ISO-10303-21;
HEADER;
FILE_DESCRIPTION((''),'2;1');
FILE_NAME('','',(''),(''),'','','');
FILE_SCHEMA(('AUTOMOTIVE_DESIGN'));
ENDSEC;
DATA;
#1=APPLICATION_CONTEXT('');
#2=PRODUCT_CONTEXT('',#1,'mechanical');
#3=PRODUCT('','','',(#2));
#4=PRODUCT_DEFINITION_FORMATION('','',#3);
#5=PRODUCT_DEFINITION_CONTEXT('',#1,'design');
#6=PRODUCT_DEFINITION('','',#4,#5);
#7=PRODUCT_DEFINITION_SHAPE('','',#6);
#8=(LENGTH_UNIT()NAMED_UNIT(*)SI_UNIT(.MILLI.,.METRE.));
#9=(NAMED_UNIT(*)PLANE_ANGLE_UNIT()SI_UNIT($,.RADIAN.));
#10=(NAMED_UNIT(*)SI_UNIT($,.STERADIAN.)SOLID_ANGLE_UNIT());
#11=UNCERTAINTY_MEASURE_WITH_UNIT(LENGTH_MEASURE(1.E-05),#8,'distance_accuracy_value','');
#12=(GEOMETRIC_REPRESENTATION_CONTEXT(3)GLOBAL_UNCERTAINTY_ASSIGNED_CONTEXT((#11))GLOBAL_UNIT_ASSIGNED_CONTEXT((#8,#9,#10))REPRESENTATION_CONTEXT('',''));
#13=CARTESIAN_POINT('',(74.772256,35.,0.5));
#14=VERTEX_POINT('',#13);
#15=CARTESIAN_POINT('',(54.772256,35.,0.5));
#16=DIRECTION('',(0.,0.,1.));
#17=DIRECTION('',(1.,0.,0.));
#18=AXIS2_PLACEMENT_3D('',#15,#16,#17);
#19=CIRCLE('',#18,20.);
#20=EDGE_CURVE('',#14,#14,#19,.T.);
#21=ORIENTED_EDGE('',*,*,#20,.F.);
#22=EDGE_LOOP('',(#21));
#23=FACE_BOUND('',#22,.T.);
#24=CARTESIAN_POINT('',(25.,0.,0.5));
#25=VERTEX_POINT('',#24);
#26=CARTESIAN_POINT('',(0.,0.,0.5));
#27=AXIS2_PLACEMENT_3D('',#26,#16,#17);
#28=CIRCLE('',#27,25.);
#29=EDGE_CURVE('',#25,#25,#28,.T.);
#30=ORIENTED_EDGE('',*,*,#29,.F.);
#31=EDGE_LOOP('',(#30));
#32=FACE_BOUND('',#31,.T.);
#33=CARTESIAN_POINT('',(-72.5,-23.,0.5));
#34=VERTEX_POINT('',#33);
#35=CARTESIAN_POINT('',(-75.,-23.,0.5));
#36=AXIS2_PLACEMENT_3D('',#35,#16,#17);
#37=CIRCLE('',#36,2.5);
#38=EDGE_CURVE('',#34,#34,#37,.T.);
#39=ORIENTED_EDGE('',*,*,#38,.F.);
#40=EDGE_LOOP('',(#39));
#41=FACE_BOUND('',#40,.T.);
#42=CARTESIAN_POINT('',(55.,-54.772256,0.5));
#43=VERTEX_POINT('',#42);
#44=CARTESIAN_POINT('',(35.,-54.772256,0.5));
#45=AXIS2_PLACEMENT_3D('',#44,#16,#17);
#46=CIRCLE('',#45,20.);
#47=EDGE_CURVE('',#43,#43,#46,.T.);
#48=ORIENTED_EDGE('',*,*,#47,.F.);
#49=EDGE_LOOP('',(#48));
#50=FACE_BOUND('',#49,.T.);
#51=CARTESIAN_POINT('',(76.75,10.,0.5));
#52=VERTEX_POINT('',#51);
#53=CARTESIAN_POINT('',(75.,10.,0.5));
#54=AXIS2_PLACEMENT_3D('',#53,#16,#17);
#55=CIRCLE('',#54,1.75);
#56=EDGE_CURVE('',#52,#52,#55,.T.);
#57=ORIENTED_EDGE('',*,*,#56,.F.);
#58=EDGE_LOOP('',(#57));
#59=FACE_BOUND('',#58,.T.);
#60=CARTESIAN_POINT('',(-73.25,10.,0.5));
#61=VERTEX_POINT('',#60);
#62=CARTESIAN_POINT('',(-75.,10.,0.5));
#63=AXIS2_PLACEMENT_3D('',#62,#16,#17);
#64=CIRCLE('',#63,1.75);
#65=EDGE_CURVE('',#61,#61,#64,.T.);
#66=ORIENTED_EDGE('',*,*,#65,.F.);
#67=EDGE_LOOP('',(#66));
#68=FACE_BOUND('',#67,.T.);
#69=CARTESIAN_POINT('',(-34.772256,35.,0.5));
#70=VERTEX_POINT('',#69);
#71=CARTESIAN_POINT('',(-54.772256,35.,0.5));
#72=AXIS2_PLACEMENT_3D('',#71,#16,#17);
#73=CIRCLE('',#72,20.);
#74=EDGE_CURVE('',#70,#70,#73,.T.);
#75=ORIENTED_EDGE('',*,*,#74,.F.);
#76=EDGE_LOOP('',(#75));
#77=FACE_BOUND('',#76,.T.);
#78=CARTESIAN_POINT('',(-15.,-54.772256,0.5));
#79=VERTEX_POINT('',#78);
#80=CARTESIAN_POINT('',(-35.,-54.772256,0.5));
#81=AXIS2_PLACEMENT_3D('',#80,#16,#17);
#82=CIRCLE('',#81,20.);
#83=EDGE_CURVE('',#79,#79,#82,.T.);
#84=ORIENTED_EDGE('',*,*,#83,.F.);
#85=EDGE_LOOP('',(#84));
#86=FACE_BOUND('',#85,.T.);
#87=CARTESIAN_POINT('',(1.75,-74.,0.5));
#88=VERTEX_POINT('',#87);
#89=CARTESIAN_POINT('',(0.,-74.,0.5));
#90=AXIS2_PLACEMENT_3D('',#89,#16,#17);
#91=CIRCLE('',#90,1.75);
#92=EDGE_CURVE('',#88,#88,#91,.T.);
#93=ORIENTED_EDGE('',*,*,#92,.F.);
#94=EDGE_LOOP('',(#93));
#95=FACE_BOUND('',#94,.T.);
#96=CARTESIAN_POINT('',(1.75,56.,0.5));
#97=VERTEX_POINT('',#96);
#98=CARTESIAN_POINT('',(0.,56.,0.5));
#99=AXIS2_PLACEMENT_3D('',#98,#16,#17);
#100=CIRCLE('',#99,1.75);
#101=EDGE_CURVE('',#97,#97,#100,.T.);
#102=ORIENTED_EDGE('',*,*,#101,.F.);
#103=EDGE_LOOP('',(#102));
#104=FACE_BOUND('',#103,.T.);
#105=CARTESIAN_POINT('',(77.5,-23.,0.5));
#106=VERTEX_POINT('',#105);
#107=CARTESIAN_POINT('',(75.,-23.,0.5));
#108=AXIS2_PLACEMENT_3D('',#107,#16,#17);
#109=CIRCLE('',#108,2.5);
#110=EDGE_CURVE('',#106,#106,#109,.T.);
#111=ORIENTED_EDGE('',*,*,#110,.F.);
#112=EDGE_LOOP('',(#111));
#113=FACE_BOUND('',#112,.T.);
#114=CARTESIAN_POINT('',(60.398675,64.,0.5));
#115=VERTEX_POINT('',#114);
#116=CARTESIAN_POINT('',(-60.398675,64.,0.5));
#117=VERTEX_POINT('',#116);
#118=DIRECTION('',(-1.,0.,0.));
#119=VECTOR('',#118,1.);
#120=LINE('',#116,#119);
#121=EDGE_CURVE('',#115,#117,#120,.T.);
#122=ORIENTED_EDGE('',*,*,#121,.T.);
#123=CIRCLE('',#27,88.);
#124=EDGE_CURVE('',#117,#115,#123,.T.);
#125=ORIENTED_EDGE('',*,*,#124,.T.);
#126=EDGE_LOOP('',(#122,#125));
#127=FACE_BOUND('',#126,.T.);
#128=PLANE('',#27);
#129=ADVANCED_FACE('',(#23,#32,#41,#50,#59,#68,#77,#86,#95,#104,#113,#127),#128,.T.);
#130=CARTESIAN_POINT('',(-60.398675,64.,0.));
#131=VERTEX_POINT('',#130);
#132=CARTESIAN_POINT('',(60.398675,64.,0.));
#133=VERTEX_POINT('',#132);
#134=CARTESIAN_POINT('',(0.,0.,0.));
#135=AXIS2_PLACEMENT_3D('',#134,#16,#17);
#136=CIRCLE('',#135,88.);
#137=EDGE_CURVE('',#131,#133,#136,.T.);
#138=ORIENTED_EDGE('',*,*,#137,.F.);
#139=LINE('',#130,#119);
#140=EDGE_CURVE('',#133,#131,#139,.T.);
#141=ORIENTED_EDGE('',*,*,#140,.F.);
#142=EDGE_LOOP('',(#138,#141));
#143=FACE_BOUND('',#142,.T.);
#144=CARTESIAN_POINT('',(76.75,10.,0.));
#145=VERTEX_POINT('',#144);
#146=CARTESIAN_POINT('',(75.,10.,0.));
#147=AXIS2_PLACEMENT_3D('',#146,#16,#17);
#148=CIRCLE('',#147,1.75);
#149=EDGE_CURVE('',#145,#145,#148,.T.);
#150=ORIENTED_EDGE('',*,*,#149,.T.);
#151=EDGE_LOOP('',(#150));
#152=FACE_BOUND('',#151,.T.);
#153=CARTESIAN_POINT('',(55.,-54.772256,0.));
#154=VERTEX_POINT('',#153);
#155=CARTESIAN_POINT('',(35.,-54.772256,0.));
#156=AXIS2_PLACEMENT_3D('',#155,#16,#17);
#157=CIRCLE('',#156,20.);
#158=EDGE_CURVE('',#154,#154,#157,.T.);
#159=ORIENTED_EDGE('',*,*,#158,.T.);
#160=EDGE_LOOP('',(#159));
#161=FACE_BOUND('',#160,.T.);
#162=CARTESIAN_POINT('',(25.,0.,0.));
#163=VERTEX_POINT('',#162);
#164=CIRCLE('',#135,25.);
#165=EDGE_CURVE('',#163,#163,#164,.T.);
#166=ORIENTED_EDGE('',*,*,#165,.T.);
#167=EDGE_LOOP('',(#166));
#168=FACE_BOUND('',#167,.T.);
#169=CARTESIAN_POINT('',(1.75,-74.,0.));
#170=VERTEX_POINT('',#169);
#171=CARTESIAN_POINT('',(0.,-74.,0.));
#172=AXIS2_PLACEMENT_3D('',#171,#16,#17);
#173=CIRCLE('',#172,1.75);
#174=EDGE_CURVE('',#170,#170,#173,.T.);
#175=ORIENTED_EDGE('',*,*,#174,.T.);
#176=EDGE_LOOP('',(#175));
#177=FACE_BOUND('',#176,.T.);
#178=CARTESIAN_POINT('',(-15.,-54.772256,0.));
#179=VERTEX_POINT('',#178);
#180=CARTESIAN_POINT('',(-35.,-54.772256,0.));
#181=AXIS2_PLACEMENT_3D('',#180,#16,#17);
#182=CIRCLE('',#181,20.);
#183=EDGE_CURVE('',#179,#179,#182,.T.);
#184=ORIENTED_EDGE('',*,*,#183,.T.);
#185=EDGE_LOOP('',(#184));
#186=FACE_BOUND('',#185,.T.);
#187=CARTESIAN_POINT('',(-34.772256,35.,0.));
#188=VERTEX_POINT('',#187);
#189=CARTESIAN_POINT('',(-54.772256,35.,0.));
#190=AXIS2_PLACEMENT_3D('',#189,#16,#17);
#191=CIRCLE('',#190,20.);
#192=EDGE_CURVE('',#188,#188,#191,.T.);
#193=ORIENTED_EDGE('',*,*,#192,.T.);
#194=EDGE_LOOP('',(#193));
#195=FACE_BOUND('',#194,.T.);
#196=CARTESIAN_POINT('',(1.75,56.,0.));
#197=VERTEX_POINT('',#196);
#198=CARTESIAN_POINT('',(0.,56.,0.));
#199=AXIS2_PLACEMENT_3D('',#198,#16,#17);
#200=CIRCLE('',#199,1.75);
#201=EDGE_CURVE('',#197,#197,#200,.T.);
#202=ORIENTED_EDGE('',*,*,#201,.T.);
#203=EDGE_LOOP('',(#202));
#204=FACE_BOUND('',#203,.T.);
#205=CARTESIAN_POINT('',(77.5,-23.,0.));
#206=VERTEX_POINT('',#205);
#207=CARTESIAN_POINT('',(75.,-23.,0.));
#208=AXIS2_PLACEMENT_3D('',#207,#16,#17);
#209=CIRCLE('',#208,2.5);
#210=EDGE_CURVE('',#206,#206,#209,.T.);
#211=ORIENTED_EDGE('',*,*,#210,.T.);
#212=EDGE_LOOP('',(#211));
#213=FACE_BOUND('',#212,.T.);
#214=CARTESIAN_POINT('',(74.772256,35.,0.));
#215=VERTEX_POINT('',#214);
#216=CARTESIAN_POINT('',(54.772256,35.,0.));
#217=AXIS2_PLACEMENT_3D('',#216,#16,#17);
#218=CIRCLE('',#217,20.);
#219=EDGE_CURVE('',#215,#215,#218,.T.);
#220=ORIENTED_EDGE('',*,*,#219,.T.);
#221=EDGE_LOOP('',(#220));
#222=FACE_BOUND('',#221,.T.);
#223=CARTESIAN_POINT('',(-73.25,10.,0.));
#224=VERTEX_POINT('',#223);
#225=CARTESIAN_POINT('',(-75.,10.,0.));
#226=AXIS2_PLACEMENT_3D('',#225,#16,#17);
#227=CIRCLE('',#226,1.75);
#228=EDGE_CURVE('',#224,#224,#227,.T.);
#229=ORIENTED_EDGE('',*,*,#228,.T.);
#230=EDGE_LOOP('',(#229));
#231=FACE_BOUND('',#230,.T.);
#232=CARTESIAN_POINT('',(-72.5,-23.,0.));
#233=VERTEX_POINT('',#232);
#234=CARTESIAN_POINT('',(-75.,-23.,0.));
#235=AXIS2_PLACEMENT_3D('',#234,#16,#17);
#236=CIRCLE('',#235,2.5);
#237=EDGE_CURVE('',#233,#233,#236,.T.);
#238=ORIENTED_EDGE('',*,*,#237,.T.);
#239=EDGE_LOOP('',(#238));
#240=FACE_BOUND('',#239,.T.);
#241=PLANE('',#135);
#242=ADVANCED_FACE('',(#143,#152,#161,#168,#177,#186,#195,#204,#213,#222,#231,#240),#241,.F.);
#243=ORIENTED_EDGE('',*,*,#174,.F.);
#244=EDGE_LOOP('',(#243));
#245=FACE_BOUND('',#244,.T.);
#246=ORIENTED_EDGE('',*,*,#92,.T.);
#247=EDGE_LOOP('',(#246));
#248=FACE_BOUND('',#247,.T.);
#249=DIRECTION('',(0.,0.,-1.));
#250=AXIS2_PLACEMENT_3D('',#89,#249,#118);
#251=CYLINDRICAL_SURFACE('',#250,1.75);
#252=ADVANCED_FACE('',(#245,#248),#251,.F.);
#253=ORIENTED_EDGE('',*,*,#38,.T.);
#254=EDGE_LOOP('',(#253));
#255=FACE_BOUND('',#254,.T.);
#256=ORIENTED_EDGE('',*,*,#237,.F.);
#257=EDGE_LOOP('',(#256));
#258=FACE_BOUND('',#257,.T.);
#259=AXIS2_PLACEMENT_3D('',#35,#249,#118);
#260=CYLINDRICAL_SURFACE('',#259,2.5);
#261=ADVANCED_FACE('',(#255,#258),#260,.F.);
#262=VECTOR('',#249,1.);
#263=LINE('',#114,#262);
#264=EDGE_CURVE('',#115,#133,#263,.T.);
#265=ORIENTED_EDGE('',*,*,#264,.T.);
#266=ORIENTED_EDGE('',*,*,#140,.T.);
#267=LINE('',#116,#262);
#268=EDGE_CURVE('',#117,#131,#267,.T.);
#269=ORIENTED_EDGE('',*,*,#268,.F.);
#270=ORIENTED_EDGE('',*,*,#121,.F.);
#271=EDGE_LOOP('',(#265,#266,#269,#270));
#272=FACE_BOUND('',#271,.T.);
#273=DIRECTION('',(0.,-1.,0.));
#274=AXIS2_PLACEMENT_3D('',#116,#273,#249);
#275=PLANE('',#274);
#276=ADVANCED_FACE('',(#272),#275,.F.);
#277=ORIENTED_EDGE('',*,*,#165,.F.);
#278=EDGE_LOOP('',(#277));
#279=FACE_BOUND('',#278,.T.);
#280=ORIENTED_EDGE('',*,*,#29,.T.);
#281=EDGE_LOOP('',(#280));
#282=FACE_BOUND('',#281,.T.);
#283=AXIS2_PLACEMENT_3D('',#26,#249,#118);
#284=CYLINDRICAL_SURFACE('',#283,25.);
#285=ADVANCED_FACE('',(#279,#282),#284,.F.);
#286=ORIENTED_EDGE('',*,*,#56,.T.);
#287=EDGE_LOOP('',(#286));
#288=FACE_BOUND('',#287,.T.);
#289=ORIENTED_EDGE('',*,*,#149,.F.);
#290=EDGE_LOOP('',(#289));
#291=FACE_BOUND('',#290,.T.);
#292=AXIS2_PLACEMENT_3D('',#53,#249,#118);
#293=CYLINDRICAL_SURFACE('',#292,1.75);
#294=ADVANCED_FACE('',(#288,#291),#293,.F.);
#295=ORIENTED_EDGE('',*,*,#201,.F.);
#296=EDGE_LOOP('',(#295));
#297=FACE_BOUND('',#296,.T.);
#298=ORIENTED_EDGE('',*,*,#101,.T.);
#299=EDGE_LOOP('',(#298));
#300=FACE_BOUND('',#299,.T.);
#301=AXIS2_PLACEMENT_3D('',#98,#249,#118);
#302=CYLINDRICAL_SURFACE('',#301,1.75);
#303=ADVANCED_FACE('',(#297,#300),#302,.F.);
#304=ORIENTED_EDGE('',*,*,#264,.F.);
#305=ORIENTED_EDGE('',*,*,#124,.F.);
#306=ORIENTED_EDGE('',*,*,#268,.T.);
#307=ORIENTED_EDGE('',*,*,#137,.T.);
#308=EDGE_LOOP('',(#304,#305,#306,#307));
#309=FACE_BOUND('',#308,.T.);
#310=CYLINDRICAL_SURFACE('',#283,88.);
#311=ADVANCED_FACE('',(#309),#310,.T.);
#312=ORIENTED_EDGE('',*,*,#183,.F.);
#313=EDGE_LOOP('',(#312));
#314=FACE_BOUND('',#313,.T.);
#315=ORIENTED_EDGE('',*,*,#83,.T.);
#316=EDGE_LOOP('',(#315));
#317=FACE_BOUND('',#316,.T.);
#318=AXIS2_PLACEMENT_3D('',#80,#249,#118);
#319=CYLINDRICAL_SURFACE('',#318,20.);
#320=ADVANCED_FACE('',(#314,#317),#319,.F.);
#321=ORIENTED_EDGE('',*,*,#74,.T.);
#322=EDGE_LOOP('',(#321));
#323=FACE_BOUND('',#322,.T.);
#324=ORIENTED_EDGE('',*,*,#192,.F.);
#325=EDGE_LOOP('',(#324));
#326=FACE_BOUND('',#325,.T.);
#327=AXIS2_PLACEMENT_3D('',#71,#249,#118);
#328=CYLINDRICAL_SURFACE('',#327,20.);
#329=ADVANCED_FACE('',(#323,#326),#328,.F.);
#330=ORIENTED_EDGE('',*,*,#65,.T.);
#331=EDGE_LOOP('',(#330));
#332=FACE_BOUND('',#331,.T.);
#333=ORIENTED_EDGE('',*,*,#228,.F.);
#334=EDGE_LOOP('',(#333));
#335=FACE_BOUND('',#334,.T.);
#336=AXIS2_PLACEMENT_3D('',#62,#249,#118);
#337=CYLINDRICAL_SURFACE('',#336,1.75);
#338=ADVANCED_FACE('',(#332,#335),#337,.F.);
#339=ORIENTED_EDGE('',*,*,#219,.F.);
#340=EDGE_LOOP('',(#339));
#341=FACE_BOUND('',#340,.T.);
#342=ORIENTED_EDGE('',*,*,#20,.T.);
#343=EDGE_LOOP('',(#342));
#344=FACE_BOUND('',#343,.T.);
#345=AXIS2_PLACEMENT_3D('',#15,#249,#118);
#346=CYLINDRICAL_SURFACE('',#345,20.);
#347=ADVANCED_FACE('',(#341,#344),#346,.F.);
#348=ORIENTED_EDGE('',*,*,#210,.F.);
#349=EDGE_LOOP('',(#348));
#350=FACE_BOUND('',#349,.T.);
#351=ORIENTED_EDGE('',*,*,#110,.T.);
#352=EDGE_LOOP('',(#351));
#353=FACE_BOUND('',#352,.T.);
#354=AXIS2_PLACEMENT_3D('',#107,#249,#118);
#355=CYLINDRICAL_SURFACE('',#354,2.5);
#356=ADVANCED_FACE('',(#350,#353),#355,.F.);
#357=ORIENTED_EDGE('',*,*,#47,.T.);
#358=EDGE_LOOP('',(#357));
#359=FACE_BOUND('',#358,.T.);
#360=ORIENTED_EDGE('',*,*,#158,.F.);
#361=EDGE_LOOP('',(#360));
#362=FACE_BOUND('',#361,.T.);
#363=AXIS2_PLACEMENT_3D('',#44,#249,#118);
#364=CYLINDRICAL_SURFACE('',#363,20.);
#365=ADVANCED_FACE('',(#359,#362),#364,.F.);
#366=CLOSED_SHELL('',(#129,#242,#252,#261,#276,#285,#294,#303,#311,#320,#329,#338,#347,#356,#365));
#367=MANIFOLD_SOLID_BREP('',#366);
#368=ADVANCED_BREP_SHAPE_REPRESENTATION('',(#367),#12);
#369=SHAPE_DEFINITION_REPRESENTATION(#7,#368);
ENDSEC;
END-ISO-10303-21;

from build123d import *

# Parameters (mm, degrees)
SKETCH1_R      = 25
SKETCH1_R_2    = 20
SKETCH1_R_3    = 1.75
SKETCH1_R_4    = 2.5
EXTRUDE1_DEPTH = 0.5


with BuildPart() as part:
    # Sketch1 → Extrude1 (new body)
    with BuildSketch(Plane.XY):
        with BuildLine():
            Line((-60.398675482, 64), (60.398675482, 64))
            ThreePointArc((60.398675482, 64), (0, -88), (-60.398675482, 64))
        make_face()
        Circle(SKETCH1_R, mode=Mode.SUBTRACT)
        with Locations((-35, -54.772255751)):
            Circle(SKETCH1_R_2, mode=Mode.SUBTRACT)
        with Locations((-54.772255751, 35)):
            Circle(SKETCH1_R_2, mode=Mode.SUBTRACT)
        with Locations((54.772255751, 35)):
            Circle(SKETCH1_R_2, mode=Mode.SUBTRACT)
        with Locations((35, -54.772255751)):
            Circle(SKETCH1_R_2, mode=Mode.SUBTRACT)
        with Locations((-75, 10)):
            Circle(SKETCH1_R_3, mode=Mode.SUBTRACT)
        with Locations((0, 56)):
            Circle(SKETCH1_R_3, mode=Mode.SUBTRACT)
        with Locations((0, -74)):
            Circle(SKETCH1_R_3, mode=Mode.SUBTRACT)
        with Locations((75, 10)):
            Circle(SKETCH1_R_3, mode=Mode.SUBTRACT)
        with Locations((-75, -23)):
            Circle(SKETCH1_R_4, mode=Mode.SUBTRACT)
        with Locations((75, -23)):
            Circle(SKETCH1_R_4, mode=Mode.SUBTRACT)
    extrude(amount=EXTRUDE1_DEPTH)


solid = part.part
